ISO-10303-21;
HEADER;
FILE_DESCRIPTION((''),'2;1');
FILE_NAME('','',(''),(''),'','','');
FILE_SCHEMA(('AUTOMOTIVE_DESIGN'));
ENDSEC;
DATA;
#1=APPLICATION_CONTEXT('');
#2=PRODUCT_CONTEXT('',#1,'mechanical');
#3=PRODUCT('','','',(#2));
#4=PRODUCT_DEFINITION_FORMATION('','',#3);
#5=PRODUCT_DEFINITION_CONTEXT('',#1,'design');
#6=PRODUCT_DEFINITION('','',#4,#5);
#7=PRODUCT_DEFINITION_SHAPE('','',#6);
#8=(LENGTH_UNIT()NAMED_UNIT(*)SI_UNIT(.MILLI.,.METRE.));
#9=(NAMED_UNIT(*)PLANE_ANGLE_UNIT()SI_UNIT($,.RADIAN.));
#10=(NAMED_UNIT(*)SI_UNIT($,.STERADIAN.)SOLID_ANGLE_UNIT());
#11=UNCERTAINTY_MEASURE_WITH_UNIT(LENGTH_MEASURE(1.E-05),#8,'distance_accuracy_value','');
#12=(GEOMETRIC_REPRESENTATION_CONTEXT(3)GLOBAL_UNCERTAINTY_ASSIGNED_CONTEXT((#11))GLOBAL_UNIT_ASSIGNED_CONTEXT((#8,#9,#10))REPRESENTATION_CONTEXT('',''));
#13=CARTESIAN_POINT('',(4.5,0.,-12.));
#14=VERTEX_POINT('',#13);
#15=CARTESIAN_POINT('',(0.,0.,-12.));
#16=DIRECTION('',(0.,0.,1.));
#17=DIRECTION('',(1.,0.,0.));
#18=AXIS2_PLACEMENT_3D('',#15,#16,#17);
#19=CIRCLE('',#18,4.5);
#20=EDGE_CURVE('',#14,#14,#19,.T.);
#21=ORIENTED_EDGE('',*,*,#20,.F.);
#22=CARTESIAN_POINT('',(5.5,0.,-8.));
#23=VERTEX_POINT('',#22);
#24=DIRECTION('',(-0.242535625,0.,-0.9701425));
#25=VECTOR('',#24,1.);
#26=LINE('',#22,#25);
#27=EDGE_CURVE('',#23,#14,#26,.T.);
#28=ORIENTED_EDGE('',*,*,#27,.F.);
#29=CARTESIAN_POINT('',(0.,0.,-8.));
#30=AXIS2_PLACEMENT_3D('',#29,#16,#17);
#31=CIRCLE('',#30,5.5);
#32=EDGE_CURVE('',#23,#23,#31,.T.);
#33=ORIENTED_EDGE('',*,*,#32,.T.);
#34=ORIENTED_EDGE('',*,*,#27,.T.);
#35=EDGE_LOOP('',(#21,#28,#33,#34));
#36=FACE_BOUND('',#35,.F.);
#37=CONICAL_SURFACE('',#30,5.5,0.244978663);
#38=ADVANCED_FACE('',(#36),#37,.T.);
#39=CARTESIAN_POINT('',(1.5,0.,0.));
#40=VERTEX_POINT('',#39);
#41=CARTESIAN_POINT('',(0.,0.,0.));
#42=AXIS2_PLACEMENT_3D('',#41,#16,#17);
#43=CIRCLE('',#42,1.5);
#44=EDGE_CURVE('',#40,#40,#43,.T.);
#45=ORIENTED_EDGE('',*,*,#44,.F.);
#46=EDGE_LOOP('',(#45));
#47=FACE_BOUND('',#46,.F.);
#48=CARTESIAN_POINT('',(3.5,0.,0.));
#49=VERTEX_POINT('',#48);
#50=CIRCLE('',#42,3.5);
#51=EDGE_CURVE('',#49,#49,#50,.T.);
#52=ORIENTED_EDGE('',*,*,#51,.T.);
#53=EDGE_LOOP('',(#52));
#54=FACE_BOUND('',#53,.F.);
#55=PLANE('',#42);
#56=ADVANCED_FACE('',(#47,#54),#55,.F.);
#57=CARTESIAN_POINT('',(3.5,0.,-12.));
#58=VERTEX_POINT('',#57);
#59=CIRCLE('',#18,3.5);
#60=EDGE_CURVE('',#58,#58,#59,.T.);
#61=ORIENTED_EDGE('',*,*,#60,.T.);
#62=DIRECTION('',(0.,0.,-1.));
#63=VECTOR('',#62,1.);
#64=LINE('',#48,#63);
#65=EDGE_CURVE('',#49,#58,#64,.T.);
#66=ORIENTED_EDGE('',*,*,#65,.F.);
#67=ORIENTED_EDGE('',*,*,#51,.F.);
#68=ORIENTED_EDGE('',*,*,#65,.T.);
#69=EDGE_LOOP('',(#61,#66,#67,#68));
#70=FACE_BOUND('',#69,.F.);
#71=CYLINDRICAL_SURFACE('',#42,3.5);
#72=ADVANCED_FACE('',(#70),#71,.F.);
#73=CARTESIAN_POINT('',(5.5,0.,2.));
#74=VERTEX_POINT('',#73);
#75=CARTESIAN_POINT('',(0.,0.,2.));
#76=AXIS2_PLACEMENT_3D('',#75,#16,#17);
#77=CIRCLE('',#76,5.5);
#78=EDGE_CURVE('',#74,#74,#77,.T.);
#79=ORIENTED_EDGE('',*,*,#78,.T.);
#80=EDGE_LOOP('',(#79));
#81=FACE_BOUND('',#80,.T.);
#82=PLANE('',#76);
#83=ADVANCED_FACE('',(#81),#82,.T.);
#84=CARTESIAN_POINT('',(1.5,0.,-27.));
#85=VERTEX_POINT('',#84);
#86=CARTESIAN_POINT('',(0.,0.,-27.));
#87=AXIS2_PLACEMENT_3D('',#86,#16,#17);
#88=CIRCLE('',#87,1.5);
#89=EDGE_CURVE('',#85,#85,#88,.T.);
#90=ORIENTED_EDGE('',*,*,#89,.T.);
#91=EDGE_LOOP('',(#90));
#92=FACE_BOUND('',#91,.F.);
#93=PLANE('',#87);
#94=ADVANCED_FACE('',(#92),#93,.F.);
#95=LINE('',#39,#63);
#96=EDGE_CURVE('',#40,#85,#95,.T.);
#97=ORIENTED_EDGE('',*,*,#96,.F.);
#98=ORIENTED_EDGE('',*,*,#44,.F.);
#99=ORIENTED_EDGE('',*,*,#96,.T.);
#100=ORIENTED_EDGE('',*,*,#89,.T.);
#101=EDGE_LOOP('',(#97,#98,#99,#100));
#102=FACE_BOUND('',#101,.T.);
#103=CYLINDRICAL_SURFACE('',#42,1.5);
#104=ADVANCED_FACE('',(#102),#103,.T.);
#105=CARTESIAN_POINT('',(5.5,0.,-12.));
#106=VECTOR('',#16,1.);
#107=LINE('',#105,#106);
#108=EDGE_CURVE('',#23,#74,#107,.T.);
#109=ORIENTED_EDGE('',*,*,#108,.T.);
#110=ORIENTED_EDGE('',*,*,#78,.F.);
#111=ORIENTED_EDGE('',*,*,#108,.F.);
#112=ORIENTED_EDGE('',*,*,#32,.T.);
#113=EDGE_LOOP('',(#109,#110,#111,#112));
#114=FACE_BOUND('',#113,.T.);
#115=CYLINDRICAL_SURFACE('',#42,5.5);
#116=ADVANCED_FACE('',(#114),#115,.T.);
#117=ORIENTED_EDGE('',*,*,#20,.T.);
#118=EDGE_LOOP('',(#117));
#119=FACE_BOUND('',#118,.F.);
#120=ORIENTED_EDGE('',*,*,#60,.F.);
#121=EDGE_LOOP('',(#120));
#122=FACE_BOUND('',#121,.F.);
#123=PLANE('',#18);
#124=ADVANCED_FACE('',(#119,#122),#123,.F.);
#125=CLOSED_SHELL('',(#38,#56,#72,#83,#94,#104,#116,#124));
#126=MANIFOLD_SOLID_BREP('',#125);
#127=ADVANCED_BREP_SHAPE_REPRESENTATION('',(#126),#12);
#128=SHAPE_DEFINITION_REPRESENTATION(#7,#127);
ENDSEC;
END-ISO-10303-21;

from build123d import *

# Parameters (mm, degrees)
F0_R     = 5.5
F0_R_2   = 3.5
F0_R_3   = 1.5
F1_DEPTH = 2
F2_DEPTH = 27
F3_DEPTH = 12
F4_SIZE2 = 1
F4_SIZE  = 4


with BuildPart() as f1:
    # F0 (on Top) → F1 (new body)
    with BuildSketch(Plane.XY):
        Circle(F0_R)
        Circle(F0_R_2, mode=Mode.SUBTRACT)
        Circle(F0_R_2)
        Circle(F0_R_3, mode=Mode.SUBTRACT)
        Circle(F0_R_3)
    extrude(amount=F1_DEPTH)

    # F0 (on Top) → F2 (join)
    with BuildSketch(Plane.XY):
        Circle(F0_R_3)
    extrude(amount=-F2_DEPTH)

    # F0 (on Top) → F3 (join)
    with BuildSketch(Plane.XY):
        Circle(F0_R)
        Circle(F0_R_2, mode=Mode.SUBTRACT)
    extrude(amount=-F3_DEPTH)

    # F4
    f4_edges = [f1.edges().sort_by_distance(p)[0] for p in [
        (-5.5, 0, -12),
    ]]
    f4_side = f1.faces().sort_by_distance((-5.5, 0, -6))[0]
    chamfer(f4_edges, length=F4_SIZE, length2=F4_SIZE2, reference=f4_side)


solid = f1.part
